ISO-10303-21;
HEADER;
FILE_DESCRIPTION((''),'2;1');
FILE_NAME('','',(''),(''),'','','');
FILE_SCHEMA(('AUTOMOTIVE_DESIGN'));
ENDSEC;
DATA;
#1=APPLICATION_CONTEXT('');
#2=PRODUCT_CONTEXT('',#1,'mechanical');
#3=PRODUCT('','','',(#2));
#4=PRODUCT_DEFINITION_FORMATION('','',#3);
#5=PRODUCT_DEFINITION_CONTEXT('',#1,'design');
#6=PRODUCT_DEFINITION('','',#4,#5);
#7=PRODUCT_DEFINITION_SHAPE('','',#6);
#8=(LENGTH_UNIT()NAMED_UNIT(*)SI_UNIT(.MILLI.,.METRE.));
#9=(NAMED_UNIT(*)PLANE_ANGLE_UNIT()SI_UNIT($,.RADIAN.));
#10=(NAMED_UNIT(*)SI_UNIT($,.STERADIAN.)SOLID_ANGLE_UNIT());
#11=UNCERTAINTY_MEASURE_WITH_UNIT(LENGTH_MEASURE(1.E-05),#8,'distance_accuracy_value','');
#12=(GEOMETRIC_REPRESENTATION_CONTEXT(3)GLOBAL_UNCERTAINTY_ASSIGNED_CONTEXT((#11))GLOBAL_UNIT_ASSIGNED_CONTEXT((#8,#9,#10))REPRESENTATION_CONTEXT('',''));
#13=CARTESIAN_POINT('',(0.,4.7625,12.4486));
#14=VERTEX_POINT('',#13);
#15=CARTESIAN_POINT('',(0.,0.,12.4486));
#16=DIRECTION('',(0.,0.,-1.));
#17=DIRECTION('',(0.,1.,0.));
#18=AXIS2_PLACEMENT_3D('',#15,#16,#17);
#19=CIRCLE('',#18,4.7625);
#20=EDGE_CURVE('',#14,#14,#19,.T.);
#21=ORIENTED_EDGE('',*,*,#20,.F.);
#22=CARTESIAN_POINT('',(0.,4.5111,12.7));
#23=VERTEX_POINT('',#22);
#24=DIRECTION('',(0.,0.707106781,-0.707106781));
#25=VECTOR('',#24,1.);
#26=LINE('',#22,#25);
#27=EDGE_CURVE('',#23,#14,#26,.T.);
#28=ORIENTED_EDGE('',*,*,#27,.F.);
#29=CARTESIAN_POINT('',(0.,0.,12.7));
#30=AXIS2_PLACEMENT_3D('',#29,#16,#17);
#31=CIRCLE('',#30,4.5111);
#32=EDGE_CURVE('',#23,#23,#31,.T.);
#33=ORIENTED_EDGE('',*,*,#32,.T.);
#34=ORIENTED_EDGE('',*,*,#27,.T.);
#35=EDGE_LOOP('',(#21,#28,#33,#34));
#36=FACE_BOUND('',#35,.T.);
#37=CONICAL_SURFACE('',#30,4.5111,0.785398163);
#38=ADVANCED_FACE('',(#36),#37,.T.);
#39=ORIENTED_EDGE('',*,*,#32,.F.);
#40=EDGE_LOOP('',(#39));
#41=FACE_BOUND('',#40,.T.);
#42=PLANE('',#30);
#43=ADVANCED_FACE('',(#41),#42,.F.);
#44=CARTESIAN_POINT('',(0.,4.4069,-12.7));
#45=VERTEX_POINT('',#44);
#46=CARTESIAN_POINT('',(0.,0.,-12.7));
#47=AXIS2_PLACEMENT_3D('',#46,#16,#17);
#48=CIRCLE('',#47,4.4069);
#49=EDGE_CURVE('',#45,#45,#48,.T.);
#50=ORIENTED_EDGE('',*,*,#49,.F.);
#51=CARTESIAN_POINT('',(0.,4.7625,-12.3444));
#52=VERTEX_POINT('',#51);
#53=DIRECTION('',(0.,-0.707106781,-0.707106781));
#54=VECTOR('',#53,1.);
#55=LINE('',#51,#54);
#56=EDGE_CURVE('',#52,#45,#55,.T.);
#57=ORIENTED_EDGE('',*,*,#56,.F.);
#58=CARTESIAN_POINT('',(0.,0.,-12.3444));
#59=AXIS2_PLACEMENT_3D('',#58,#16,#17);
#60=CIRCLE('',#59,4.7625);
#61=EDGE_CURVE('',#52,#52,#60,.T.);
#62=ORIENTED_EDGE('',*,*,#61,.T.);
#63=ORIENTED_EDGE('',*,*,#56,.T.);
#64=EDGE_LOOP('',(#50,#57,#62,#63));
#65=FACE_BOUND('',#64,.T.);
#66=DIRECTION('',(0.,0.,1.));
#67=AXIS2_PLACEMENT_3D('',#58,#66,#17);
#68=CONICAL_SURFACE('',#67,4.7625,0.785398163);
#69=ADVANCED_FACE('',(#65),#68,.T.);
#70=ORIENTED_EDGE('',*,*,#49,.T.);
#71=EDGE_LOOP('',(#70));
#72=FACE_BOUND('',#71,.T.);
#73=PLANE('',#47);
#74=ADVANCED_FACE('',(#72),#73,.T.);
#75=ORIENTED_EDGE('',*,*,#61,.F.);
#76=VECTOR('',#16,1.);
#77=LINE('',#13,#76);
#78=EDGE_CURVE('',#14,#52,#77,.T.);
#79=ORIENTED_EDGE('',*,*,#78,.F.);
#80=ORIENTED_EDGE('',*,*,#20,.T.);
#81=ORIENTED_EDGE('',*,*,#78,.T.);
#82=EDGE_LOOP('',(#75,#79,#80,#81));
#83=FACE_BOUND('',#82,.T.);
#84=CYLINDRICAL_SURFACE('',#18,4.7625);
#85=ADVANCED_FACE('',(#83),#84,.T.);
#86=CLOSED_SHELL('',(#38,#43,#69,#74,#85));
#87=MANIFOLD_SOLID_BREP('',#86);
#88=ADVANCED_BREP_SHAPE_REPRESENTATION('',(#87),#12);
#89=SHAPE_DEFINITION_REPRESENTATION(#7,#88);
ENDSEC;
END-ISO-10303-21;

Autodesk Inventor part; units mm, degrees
sketch "Sketch_1" plane through (0, 0, 0) normal (1, 0, 0) x (0, 1, 0)
  line L0 (0, -12.7) -> (0, 12.7)
  line L1 (0, 12.7) -> (4.5111, 12.7)
  line L2 (4.5111, 12.7) -> (4.7625, 12.4486)
  line L3 (4.7625, 12.4486) -> (4.7625, -12.3444)
  line L4 (4.7625, -12.3444) -> (4.4069, -12.7)
  line L5 (4.4069, -12.7) -> (0, -12.7)
  line L6 (0, -12.7) -> (0, 12.7)
revolve "Revolution1" add sketch "Sketch_1" angle 360 about axis through (0, 0, -12.7) along (0, 0, -1)
ref_plane "dia1_XY" through (-4.7625, 0, 0) normal (0, 0, 1) x (1, 0, 0)
ref_plane "dia1_YZ" through (-4.7625, 0, 0) normal (1, 0, 0) x (0, 1, 0)
ref_plane "dia1_ZX" through (-4.7625, 0, 0) normal (0, 1, 0) x (0, 0, 1)
ref_plane "dia2_XY" through (4.7625, 0, 0) normal (0, 0, 1) x (1, 0, 0)
ref_plane "dia2_YZ" through (4.7625, 0, 0) normal (1, 0, 0) x (0, 1, 0)
ref_plane "dia2_ZX" through (4.7625, 0, 0) normal (0, 1, 0) x (0, 0, 1)
ref_plane "pin_XY" through (0, 0, 0) normal (0, 0, 1) x (1, 0, 0)
ref_plane "pin_YZ" through (0, 0, 0) normal (1, 0, 0) x (0, 1, 0)
ref_plane "pin_ZX" through (0, 0, 0) normal (0, 1, 0) x (0, 0, 1)
ref_plane "pin1_XY" through (0, 0, 12.7) normal (1, 0, 0) x (0, 0, -1)
ref_plane "pin1_YZ" through (0, 0, 12.7) normal (0, 0, -1) x (0, 1, 0)
ref_plane "pin1_ZX" through (0, 0, 12.7) normal (0, 1, 0) x (1, 0, 0)
ref_plane "pin2_XY" through (0, 0, -12.7) normal (1, 0, 0) x (0, 0, -1)
ref_plane "pin2_YZ" through (0, 0, -12.7) normal (0, 0, -1) x (0, 1, 0)
ref_plane "pin2_ZX" through (0, 0, -12.7) normal (0, 1, 0) x (1, 0, 0)
properties part number "D-358"
